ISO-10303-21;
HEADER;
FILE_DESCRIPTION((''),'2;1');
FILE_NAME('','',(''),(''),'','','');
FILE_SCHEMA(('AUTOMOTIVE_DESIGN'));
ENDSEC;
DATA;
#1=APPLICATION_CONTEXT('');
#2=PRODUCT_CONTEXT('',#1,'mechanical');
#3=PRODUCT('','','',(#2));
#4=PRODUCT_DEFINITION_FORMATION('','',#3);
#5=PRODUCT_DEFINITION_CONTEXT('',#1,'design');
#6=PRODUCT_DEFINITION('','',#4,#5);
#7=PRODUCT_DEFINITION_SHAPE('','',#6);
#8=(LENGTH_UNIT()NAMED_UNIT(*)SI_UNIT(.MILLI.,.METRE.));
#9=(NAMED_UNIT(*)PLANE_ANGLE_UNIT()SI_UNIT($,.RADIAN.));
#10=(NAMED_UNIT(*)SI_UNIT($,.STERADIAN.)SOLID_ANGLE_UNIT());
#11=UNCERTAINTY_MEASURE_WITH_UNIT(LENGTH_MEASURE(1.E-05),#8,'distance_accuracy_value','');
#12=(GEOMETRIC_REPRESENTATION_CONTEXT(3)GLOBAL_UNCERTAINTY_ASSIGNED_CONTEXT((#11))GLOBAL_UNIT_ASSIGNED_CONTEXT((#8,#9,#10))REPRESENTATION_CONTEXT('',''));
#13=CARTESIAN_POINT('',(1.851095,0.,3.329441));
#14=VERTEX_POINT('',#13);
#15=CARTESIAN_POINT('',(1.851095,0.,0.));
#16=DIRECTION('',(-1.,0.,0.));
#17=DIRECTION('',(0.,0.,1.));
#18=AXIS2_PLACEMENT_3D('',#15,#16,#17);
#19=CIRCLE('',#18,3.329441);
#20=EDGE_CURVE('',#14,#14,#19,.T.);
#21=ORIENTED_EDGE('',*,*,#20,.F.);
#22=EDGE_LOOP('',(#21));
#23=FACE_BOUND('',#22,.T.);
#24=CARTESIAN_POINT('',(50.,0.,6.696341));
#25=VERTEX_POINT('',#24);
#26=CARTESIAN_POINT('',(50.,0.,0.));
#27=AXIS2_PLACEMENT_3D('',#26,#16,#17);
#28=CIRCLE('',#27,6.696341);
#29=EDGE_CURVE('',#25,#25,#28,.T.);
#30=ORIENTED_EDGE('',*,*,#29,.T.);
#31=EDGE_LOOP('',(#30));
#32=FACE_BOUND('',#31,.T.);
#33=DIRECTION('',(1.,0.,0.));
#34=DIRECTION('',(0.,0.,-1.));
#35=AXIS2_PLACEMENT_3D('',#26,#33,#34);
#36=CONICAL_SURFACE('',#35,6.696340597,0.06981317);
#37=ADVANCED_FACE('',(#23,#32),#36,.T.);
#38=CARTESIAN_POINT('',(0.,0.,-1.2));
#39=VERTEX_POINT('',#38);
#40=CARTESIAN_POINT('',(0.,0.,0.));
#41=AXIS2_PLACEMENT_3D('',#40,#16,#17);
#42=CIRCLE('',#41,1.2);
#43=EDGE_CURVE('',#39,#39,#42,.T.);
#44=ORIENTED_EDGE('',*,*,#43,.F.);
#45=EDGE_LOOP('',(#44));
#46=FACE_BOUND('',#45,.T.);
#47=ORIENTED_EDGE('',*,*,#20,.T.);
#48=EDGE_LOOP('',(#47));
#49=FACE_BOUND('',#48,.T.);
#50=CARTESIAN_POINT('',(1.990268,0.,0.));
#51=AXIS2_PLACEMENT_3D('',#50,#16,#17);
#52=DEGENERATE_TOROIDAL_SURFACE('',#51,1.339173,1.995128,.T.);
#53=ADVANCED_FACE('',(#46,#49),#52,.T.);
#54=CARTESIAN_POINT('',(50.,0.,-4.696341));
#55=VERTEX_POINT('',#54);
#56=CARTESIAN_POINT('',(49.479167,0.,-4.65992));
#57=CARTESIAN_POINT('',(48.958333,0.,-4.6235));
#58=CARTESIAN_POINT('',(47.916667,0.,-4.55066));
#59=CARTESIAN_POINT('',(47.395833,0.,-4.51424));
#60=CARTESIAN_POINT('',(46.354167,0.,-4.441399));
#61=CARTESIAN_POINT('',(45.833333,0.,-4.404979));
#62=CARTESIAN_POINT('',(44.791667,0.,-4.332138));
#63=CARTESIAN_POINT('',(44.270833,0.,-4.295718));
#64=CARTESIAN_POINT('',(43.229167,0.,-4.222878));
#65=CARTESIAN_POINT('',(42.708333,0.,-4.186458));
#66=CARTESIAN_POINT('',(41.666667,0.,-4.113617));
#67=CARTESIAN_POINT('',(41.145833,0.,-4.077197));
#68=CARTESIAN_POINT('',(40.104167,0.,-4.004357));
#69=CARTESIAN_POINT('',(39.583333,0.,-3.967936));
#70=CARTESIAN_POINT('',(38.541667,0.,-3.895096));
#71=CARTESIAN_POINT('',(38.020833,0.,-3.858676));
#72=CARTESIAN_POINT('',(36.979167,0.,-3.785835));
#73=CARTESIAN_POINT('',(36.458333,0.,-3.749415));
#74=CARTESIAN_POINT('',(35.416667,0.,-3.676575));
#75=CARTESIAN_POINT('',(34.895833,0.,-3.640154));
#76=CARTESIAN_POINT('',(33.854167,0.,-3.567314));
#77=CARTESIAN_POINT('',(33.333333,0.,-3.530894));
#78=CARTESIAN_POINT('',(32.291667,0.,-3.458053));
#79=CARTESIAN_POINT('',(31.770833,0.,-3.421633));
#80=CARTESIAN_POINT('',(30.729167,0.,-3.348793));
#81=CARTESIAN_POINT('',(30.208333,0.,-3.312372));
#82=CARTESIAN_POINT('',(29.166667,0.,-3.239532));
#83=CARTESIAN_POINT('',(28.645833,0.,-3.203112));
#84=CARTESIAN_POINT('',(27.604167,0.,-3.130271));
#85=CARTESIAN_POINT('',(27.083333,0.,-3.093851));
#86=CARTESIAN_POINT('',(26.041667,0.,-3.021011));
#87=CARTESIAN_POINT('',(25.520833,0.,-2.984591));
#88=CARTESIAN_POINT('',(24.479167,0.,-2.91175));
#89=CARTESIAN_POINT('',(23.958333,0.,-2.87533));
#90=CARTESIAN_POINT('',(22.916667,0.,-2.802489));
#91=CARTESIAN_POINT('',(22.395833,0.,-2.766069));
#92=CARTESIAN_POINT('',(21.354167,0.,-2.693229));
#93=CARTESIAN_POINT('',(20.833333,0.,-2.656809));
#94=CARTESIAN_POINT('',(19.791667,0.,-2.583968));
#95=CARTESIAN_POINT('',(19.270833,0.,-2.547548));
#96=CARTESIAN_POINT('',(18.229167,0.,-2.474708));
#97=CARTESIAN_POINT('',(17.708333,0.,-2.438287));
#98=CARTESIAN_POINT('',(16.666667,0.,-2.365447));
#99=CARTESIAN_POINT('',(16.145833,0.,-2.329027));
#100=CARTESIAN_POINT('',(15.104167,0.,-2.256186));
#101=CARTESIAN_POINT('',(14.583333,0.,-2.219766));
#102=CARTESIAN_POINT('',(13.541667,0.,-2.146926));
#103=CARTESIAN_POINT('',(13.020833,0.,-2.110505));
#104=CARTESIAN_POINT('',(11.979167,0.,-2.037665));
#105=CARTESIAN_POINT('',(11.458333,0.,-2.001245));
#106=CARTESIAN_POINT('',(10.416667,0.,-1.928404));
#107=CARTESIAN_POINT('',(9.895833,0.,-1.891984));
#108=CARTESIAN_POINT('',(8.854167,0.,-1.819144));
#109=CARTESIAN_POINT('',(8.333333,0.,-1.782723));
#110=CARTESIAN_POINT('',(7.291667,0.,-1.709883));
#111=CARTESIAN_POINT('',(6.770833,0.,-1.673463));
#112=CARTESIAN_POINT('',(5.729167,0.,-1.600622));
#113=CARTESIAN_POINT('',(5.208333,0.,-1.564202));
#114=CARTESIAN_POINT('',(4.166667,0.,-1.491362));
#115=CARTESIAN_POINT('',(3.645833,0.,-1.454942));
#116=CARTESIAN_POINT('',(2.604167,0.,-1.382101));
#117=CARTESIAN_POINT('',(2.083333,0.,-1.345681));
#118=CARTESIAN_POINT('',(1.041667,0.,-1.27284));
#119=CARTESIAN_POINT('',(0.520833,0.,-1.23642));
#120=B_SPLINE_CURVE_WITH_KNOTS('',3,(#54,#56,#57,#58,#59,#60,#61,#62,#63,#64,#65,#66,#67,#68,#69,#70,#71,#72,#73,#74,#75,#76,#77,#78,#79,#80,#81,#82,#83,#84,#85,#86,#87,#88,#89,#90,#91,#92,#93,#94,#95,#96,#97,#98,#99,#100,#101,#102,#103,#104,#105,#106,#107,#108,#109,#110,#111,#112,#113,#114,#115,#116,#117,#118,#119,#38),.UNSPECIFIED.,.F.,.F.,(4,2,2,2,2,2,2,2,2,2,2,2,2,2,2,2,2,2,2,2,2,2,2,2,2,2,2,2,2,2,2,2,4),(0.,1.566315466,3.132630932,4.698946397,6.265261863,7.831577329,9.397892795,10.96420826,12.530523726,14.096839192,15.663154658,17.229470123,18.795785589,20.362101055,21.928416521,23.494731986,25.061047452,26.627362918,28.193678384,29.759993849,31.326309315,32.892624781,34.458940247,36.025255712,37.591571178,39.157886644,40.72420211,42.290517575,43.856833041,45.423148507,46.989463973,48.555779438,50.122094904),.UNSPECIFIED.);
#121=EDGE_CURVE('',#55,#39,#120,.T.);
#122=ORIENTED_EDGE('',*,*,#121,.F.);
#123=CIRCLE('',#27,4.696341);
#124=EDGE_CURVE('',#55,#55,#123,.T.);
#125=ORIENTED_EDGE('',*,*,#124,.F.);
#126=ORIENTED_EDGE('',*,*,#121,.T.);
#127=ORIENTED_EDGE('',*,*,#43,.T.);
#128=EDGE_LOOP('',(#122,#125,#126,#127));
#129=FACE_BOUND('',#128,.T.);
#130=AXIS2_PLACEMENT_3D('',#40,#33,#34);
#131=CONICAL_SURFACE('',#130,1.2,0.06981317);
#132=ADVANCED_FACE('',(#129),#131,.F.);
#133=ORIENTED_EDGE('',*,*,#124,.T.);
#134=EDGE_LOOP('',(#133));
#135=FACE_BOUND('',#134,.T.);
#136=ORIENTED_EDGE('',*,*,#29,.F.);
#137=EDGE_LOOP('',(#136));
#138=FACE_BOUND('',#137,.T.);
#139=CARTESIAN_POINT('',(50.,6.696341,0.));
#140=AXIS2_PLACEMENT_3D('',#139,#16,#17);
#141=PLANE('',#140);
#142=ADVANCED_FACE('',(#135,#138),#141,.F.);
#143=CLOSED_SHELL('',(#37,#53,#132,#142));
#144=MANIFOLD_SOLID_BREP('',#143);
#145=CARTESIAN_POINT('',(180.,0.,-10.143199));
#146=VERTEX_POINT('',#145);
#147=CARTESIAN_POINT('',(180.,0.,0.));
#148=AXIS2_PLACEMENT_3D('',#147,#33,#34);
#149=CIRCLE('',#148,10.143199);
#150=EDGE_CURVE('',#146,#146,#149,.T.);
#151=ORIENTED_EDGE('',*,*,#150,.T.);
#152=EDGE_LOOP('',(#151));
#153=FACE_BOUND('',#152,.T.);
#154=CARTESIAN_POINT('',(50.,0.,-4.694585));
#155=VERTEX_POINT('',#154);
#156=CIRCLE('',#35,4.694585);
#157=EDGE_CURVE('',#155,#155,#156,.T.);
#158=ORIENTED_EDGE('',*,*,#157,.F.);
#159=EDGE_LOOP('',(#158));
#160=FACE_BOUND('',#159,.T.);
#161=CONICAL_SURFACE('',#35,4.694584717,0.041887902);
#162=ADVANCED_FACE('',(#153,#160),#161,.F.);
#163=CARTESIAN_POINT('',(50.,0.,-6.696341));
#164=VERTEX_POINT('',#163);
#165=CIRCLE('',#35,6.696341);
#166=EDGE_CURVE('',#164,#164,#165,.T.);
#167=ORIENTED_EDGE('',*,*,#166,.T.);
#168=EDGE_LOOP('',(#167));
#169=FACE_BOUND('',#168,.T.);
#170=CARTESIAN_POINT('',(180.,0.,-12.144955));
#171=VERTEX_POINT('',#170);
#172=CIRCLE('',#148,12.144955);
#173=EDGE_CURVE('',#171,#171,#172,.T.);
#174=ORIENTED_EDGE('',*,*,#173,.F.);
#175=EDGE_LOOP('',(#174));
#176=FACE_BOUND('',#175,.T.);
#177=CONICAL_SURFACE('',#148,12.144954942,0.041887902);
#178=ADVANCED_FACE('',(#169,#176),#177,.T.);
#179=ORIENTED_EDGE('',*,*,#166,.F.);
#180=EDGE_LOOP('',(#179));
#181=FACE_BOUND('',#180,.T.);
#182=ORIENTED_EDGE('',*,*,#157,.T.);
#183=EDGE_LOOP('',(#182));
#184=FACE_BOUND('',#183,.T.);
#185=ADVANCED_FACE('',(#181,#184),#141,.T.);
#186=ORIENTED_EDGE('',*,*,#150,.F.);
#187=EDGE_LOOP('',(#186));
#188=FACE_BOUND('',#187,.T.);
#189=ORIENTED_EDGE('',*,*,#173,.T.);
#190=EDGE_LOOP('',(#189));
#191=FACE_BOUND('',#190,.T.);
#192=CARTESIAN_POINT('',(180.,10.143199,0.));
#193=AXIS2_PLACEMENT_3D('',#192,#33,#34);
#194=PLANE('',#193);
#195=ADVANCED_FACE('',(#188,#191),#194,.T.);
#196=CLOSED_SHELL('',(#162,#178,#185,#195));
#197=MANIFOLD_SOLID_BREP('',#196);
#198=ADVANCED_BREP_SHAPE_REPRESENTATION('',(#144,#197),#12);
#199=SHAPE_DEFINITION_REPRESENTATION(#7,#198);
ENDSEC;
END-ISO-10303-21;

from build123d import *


with BuildPart() as part:
    # Sketch2 → Revolve2 (revolve)
    with BuildSketch(Plane.XY):
        with BuildLine():
            Line((0, 1.2), (50, 4.696340597))
            Line((50, 4.696340597), (50, 6.696340597))
            Line((50, 6.696340597), (1.851094968, 3.32944117))
            ThreePointArc((1.851094968, 3.32944117), (0.484525778, 2.648094905), (0, 1.2))
        make_face()
    revolve(axis=Axis((-19.275847123, 0, 0), (1, 0, 0)))


with BuildPart() as body_2:
    # Sketch3 → Revolve3 (revolve)
    with BuildSketch(Plane.XY):
        Polygon((50, 4.694584717), (180, 10.143199062), (180, 12.144954942), (50, 6.696340597), align=None)
    revolve(axis=Axis((50, 0, 0), (-1, 0, 0)))


solid = Compound([part.part, body_2.part])
